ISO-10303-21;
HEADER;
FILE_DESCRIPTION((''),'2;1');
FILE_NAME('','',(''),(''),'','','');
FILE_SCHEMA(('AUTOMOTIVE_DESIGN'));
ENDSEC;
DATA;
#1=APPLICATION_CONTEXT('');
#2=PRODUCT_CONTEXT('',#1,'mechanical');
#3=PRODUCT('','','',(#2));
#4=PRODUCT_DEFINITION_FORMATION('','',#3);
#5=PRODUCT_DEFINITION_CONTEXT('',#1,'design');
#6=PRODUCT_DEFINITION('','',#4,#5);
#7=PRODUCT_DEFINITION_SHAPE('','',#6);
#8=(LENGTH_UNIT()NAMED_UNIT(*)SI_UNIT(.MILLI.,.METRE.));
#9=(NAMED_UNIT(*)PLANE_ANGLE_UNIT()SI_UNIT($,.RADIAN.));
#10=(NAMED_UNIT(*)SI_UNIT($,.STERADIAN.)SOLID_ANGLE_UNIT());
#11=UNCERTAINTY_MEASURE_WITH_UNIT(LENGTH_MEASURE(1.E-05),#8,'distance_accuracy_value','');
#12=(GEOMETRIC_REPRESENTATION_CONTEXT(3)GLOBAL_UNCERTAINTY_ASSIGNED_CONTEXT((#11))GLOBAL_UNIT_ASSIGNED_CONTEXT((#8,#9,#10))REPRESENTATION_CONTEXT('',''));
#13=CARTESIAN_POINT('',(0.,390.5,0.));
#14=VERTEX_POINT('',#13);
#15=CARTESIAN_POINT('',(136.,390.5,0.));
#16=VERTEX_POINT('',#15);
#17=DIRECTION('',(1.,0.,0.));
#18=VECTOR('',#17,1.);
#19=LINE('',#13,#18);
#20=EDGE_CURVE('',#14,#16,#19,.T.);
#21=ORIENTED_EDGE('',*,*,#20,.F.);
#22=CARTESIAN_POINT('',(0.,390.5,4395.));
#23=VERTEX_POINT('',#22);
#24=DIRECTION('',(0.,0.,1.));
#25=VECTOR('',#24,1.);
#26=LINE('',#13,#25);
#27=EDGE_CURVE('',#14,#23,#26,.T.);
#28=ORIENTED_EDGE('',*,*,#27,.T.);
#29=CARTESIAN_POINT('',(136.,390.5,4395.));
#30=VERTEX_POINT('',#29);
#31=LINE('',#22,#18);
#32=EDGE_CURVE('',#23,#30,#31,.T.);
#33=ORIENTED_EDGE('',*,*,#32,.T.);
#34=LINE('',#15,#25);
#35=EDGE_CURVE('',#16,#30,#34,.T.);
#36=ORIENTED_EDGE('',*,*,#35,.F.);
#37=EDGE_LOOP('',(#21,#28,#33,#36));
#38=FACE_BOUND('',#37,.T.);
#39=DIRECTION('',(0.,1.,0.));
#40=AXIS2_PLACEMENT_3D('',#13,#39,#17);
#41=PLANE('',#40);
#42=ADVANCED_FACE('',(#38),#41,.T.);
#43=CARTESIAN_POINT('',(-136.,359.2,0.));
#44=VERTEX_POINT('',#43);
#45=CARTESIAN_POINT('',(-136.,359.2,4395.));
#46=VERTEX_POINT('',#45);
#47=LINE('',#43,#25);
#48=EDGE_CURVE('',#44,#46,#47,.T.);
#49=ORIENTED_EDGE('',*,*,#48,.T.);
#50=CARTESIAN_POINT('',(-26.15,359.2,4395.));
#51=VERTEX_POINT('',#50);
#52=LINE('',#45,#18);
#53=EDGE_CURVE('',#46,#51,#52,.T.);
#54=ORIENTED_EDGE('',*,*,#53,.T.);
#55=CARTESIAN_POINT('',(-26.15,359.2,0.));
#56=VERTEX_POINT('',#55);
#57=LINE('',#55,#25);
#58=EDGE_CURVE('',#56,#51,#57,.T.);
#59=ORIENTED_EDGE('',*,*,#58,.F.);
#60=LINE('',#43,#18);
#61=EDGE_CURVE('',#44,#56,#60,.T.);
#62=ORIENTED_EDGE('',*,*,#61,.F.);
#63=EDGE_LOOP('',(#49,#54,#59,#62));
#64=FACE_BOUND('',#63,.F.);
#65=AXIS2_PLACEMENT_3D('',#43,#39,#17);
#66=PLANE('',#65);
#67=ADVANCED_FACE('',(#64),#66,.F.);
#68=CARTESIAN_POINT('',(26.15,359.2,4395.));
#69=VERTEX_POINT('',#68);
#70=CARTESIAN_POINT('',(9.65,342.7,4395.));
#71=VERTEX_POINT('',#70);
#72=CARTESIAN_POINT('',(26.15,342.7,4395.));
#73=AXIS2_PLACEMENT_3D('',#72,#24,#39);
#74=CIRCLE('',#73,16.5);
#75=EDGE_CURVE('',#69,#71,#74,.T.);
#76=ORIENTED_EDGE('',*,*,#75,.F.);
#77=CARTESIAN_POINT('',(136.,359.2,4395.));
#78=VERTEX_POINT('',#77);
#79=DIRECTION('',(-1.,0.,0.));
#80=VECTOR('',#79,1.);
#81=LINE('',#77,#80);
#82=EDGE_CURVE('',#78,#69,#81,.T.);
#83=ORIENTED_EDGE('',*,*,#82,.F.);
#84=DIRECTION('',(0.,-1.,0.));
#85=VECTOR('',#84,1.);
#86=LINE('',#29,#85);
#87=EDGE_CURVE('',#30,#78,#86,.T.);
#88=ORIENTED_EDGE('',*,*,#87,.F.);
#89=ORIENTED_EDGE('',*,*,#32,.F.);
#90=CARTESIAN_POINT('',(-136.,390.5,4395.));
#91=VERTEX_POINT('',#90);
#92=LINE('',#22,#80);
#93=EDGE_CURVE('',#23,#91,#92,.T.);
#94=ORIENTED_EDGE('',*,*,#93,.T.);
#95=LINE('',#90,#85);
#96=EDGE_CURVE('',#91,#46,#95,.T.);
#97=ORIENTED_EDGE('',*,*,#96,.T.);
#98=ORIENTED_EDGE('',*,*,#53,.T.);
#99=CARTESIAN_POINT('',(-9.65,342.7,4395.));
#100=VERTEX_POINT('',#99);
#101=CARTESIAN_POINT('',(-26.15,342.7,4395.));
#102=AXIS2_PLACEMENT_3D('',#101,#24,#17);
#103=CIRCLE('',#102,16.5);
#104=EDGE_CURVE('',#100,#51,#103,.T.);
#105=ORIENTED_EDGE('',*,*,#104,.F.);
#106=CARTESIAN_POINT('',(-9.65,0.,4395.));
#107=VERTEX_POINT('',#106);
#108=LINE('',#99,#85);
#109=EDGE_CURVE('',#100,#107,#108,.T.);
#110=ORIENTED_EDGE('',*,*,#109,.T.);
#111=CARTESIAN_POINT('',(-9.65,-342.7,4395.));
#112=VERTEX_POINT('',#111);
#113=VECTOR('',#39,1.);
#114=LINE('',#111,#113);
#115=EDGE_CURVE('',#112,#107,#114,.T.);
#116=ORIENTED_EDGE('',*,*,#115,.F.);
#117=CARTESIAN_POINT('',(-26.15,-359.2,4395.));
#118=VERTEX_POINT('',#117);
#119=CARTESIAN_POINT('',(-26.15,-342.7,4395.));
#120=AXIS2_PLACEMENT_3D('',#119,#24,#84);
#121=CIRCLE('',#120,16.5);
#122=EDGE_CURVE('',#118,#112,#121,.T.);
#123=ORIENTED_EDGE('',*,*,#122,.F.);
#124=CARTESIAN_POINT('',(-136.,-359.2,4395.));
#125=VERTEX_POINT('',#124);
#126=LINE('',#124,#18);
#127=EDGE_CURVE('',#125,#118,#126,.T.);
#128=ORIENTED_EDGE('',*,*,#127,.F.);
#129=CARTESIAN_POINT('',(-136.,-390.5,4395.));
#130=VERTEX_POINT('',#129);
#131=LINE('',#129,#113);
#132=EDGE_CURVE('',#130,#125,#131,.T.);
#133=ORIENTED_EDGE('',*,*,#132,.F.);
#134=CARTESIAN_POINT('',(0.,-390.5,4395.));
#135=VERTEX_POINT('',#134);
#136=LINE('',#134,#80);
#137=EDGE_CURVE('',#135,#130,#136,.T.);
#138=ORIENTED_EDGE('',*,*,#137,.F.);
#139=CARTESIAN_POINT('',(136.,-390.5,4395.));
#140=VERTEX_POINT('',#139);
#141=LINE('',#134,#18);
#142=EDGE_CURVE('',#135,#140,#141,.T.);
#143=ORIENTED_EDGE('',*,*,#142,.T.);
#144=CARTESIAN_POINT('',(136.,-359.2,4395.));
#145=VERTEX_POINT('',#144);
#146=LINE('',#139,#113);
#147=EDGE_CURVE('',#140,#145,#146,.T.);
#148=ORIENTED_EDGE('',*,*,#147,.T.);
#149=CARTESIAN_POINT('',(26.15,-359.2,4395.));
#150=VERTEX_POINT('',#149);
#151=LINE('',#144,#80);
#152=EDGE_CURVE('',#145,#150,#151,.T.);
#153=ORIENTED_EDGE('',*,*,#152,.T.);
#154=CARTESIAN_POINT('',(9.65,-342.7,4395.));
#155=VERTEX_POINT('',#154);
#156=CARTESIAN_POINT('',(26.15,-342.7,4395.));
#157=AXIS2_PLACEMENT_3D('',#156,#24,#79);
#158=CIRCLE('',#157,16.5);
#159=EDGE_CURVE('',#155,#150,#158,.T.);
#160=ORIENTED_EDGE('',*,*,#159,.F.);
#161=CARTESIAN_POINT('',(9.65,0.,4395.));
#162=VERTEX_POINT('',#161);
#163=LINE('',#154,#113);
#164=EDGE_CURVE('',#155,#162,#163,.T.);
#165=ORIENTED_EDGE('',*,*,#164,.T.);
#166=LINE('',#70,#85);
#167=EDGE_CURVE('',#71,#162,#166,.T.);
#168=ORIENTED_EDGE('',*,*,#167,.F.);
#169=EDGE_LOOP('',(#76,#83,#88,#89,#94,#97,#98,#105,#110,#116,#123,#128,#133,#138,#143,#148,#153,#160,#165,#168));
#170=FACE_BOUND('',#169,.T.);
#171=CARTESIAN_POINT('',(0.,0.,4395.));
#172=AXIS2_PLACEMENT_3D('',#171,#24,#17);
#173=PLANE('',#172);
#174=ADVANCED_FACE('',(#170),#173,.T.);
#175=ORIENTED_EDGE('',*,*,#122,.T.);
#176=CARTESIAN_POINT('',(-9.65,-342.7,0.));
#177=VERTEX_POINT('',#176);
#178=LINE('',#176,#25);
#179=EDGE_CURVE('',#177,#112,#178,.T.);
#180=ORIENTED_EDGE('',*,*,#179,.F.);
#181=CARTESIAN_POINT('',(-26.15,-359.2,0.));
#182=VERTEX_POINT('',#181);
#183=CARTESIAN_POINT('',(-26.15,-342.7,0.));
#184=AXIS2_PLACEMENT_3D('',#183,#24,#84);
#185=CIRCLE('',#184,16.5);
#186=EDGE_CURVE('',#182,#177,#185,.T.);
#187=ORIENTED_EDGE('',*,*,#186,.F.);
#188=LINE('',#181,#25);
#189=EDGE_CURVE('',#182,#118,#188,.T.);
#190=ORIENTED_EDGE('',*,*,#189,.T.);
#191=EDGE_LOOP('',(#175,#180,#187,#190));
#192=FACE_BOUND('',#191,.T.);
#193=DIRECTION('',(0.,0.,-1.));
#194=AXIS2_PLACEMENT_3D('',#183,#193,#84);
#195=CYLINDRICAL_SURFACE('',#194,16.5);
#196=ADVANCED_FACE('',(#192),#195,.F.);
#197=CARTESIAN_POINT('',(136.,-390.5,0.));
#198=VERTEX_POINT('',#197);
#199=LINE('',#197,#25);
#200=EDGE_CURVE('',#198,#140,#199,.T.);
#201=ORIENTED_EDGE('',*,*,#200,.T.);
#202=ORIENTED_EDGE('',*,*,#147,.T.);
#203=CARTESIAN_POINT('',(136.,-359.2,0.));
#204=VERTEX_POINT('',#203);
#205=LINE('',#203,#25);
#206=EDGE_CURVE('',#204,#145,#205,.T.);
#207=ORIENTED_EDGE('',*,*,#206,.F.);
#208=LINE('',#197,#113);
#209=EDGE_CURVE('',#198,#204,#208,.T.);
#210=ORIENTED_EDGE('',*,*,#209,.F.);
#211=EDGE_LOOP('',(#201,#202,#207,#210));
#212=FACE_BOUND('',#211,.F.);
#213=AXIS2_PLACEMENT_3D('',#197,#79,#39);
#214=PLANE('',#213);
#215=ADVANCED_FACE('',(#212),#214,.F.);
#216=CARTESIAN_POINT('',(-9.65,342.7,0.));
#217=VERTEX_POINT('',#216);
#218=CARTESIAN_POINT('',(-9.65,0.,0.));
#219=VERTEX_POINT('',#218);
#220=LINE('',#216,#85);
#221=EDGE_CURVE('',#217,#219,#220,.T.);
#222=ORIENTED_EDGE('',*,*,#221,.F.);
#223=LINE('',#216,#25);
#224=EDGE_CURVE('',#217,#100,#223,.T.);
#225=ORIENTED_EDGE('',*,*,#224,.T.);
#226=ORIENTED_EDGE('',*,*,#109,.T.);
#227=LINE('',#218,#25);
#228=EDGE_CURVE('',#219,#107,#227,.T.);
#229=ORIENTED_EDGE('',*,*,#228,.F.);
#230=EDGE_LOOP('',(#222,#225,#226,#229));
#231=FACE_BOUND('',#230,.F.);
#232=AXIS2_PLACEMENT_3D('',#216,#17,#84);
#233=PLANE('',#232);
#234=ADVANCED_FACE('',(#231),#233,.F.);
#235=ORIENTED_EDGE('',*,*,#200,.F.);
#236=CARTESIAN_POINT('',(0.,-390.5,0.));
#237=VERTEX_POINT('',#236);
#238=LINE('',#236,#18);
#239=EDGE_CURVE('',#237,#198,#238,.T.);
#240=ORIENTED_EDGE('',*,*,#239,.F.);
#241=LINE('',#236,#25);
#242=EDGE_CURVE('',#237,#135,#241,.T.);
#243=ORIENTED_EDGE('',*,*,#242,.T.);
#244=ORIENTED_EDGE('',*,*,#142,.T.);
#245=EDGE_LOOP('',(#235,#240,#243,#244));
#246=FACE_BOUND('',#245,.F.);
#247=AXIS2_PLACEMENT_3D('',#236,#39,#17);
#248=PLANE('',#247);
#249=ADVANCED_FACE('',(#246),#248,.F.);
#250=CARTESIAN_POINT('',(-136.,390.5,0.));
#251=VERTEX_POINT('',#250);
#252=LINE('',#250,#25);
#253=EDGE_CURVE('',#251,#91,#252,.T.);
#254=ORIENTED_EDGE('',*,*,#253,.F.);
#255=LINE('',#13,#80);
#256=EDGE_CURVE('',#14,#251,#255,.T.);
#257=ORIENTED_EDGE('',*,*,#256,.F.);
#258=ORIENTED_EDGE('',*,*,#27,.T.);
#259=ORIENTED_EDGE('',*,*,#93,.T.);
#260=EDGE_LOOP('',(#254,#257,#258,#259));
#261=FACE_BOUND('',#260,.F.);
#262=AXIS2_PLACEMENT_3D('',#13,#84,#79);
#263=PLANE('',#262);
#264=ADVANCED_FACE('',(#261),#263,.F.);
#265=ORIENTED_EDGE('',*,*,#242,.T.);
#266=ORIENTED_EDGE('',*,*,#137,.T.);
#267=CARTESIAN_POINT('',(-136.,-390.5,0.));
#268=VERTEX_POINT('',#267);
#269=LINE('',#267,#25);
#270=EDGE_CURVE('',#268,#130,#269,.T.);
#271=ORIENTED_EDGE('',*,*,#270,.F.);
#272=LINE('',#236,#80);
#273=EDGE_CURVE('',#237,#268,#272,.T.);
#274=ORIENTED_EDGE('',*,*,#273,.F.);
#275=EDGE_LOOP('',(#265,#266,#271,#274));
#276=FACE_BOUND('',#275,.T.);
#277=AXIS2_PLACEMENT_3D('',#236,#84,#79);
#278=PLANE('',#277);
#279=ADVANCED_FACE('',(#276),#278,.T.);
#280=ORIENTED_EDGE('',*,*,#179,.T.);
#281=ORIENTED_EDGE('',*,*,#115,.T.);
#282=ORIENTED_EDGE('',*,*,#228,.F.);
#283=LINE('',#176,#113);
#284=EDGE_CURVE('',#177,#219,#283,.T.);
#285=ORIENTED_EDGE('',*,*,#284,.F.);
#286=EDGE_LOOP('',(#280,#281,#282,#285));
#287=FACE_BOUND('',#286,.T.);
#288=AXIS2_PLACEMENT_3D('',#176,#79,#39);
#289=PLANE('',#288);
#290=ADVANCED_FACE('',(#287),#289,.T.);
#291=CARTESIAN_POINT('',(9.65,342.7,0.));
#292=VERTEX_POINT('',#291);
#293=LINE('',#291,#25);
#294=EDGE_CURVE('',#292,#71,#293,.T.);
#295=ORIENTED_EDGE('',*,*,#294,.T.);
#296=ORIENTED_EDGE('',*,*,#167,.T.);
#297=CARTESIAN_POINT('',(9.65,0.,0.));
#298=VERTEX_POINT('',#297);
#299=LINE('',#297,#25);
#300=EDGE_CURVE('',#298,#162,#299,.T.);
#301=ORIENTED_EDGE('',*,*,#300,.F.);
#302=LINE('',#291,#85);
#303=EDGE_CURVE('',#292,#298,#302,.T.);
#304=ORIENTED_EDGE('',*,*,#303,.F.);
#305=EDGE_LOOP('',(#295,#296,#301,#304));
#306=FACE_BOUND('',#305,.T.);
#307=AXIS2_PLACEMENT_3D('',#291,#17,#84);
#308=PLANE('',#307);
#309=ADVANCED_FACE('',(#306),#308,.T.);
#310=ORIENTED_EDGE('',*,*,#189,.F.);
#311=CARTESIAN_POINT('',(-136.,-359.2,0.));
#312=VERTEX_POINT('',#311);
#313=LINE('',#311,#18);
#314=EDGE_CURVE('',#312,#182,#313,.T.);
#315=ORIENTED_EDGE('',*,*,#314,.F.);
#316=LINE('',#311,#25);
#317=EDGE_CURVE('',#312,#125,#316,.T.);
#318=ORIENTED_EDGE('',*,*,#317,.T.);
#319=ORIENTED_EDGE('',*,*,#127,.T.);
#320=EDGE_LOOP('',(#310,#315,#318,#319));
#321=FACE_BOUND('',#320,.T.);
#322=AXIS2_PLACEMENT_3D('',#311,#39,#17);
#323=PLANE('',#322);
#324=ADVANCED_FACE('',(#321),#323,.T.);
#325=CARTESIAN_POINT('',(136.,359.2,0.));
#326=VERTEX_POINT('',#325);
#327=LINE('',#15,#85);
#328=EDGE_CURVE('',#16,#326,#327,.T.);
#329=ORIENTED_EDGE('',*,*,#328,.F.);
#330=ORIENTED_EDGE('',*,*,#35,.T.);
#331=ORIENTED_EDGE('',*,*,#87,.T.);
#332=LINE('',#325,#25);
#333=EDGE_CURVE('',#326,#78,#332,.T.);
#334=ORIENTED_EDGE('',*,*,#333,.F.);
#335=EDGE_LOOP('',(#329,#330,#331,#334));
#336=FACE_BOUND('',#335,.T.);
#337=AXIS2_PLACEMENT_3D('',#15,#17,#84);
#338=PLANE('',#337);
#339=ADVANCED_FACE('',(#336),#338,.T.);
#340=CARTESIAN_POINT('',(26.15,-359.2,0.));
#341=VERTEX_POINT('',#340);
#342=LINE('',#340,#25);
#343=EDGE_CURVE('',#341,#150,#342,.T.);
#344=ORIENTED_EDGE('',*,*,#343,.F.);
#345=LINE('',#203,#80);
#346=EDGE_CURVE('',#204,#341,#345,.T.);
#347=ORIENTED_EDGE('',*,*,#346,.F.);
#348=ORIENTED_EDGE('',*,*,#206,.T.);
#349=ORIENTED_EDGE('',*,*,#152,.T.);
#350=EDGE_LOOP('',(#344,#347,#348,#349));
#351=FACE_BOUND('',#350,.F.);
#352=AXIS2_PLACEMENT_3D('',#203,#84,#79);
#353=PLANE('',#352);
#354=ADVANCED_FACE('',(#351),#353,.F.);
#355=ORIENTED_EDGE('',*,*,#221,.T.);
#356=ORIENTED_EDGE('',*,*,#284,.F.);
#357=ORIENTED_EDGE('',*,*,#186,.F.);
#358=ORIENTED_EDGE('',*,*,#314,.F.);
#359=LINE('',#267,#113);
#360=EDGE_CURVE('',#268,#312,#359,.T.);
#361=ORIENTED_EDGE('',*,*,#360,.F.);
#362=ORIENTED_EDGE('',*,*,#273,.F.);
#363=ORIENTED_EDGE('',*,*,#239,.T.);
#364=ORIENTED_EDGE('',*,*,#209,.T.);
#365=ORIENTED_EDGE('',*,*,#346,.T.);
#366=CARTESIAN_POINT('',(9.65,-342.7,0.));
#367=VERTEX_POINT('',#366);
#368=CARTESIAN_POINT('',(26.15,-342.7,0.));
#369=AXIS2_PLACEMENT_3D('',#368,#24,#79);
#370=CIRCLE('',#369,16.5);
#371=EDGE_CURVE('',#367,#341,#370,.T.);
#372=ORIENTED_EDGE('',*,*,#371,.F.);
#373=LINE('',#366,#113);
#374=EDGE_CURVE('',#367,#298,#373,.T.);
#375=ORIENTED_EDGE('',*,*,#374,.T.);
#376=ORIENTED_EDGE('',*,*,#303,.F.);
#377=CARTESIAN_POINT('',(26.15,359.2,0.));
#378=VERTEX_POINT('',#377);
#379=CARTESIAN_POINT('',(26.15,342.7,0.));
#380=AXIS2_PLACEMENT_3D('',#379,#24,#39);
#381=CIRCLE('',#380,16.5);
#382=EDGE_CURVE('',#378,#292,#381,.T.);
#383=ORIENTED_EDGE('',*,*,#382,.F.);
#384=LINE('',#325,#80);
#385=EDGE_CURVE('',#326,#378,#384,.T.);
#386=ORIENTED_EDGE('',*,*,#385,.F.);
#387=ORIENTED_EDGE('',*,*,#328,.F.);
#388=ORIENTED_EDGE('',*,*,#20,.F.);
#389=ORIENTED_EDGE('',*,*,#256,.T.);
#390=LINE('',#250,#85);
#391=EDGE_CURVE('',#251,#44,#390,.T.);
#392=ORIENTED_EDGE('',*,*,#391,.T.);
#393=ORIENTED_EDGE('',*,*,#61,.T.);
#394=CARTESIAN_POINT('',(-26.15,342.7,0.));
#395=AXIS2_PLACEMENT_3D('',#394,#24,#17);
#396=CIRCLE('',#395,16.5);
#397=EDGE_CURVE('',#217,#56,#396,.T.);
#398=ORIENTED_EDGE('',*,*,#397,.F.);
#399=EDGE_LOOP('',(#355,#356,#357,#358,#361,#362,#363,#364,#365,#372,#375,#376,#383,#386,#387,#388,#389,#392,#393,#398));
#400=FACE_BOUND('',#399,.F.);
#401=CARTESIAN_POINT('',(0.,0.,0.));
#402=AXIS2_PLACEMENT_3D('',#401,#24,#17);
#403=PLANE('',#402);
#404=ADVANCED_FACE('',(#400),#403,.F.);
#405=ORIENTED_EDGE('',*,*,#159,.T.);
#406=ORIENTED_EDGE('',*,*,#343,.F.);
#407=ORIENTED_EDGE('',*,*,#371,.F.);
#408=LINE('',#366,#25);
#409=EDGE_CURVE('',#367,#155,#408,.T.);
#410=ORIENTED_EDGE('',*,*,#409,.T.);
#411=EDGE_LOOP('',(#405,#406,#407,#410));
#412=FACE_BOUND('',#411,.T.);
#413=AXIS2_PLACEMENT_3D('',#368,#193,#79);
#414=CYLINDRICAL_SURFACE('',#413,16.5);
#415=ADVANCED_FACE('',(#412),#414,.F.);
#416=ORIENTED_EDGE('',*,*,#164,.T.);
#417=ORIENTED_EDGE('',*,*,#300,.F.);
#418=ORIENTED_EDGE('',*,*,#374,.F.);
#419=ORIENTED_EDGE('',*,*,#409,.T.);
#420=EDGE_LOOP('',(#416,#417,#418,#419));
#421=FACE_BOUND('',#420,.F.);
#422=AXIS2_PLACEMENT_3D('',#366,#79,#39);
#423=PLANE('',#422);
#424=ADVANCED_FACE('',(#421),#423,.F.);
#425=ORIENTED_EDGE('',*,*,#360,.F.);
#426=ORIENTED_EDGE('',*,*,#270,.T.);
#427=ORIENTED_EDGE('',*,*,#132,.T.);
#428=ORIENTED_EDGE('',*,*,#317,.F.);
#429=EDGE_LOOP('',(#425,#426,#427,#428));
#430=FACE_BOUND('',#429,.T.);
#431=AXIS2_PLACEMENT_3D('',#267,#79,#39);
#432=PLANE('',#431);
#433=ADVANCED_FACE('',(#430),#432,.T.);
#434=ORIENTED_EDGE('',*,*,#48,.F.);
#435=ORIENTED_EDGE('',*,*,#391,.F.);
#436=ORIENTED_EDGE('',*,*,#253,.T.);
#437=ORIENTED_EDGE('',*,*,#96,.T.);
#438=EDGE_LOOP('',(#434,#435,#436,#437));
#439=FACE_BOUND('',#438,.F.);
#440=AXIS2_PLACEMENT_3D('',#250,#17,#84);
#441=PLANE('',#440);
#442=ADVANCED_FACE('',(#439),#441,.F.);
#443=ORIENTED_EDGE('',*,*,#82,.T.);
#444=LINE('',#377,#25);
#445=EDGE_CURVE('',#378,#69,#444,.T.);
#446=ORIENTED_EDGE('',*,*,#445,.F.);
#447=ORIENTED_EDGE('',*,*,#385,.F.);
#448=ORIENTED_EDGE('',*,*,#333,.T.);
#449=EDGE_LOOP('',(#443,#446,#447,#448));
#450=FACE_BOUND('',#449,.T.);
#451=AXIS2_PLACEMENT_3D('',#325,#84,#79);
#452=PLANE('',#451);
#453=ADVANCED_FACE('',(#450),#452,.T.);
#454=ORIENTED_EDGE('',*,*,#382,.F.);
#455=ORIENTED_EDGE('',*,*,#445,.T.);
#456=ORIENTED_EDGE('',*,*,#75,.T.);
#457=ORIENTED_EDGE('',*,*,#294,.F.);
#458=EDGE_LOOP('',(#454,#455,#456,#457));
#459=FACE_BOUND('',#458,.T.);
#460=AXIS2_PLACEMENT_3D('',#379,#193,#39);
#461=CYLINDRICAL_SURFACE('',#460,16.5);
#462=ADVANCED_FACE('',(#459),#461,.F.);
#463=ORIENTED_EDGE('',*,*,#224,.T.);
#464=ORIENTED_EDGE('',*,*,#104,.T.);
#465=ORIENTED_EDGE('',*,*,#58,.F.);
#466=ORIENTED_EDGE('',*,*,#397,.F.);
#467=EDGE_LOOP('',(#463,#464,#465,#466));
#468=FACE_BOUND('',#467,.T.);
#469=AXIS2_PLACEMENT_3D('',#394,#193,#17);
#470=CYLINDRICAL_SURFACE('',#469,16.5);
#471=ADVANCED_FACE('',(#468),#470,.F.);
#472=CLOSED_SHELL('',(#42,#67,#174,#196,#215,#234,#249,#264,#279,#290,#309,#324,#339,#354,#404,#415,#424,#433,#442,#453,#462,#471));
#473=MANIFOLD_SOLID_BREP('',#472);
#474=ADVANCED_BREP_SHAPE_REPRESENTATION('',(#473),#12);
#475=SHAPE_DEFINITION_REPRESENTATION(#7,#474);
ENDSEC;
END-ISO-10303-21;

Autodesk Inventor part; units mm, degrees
ref_plane "YZ Plane" through (0, 0, 0) normal (1, 0, 0) x (0, 1, 0)
ref_plane "Start plane" through (0, 0, 0) normal (0, 0, 1) x (1, 0, 0)
ref_plane "End plane" through (0, 0, 4395) normal (0, 0, 1) x (1, 0, 0)
sketch "Sketch" plane through (0, 0, 0) normal (0, 0, 1) x (1, 0, 0)
  line L0 (-136, -390.5) -> (-136, -359.2)
  line L1 (-136, -359.2) -> (-26.15, -359.2)
  line L2 (-9.65, -342.7) -> (-9.65, 0)
  line L3 (-9.65, 0) -> (0, 0) construction
  line L4 (0, 0) -> (0, -390.5) construction
  line L5 (0, -390.5) -> (-136, -390.5)
  line L6 (-60, 0) -> (80, 0) construction
  line L7 (0, -60) -> (0, 80) construction
  line L8 (136, -390.5) -> (136, -359.2)
  line L9 (136, -359.2) -> (26.15, -359.2)
  line L10 (9.65, -342.7) -> (9.65, 0)
  line L11 (9.65, 0) -> (0, 0) construction
  line L12 (0, -390.5) -> (136, -390.5)
  line L13 (-136, 390.5) -> (-136, 359.2)
  line L14 (-136, 359.2) -> (-26.15, 359.2)
  line L15 (-9.65, 342.7) -> (-9.65, 0)
  line L16 (0, 390.5) -> (-136, 390.5)
  line L17 (136, 390.5) -> (136, 359.2)
  line L18 (136, 359.2) -> (26.15, 359.2)
  line L19 (0, 390.5) -> (136, 390.5)
  line L20 (9.65, 342.7) -> (9.65, 0)
  arc A0 (-9.65, 342.7) -> (-26.15, 359.2) centre (-26.15, 342.7) ccw
  arc A1 (26.15, 359.2) -> (9.65, 342.7) centre (26.15, 342.7) ccw
  arc A2 (9.65, -342.7) -> (26.15, -359.2) centre (26.15, -342.7) ccw
  arc A3 (-26.15, -359.2) -> (-9.65, -342.7) centre (-26.15, -342.7) ccw
  line L21 (0, 108) -> (0, -88) construction
  line L22 (-88, 0) -> (108, 0) construction
  point P0 (-9.65, -359.2)
  point P1 (9.65, -359.2)
  point P2 (-9.65, 359.2)
  point P3 (9.65, 359.2)
  dimension "d1" = 390.5
  dimension "d2" = 31.3
  dimension "d3" = 136
  dimension "d4" = 9.65
  dimension "d10" = 16.5
extrude "Body" add sketch "Sketch" along normal up to surface (4395 mm away) from surface at 0
sketch "Sketch4" plane through (0, 0, 0) normal (0, 0, 1) x (1, 0, 0)
  line L0 (0, 0) -> (10, 0)
ref_plane "Work Plane3" through (0, 0, 0) normal (0, -1, 0) x (1, 0, 0)
sketch "Sketch5" plane through (0, 0, 0) normal (0, -1, 0) x (1, 0, 0)
  line L0 (-2, 0) -> (12, 0) projected
  line L1 (-2, 4395) -> (12, 4395) projected
  dimension "d14" = 4395
equation "\"d1\" = 0.5 * G_H"
equation "\"d2\" = G_T1"
equation "\"d3\" = 0.5 * G_W"
equation "\"d4\" = 0.5 * G_T"
equation "\"d10\" = G_IR"
equation "\"d5\" = G_L"
equation "\"G_W\" = 272"
equation "\"G_H\" = 781"
equation "\"G_T\" = 19.3"
equation "\"G_T1\" = 31.3"
equation "\"G_IR\" = 16.5"
equation "\"G_L\" = d14"
equation "\"G_OFFSET_START\" = 0"
equation "\"G_OFFSET_END\" = 0"
equation "\"d12\" = G_OFFSET_END + B_L"
equation "\"B_L\" = 4395"
properties part number "AS 3679-1990 - 760 UB - 244 - 4395" material "Steel, Mild"
